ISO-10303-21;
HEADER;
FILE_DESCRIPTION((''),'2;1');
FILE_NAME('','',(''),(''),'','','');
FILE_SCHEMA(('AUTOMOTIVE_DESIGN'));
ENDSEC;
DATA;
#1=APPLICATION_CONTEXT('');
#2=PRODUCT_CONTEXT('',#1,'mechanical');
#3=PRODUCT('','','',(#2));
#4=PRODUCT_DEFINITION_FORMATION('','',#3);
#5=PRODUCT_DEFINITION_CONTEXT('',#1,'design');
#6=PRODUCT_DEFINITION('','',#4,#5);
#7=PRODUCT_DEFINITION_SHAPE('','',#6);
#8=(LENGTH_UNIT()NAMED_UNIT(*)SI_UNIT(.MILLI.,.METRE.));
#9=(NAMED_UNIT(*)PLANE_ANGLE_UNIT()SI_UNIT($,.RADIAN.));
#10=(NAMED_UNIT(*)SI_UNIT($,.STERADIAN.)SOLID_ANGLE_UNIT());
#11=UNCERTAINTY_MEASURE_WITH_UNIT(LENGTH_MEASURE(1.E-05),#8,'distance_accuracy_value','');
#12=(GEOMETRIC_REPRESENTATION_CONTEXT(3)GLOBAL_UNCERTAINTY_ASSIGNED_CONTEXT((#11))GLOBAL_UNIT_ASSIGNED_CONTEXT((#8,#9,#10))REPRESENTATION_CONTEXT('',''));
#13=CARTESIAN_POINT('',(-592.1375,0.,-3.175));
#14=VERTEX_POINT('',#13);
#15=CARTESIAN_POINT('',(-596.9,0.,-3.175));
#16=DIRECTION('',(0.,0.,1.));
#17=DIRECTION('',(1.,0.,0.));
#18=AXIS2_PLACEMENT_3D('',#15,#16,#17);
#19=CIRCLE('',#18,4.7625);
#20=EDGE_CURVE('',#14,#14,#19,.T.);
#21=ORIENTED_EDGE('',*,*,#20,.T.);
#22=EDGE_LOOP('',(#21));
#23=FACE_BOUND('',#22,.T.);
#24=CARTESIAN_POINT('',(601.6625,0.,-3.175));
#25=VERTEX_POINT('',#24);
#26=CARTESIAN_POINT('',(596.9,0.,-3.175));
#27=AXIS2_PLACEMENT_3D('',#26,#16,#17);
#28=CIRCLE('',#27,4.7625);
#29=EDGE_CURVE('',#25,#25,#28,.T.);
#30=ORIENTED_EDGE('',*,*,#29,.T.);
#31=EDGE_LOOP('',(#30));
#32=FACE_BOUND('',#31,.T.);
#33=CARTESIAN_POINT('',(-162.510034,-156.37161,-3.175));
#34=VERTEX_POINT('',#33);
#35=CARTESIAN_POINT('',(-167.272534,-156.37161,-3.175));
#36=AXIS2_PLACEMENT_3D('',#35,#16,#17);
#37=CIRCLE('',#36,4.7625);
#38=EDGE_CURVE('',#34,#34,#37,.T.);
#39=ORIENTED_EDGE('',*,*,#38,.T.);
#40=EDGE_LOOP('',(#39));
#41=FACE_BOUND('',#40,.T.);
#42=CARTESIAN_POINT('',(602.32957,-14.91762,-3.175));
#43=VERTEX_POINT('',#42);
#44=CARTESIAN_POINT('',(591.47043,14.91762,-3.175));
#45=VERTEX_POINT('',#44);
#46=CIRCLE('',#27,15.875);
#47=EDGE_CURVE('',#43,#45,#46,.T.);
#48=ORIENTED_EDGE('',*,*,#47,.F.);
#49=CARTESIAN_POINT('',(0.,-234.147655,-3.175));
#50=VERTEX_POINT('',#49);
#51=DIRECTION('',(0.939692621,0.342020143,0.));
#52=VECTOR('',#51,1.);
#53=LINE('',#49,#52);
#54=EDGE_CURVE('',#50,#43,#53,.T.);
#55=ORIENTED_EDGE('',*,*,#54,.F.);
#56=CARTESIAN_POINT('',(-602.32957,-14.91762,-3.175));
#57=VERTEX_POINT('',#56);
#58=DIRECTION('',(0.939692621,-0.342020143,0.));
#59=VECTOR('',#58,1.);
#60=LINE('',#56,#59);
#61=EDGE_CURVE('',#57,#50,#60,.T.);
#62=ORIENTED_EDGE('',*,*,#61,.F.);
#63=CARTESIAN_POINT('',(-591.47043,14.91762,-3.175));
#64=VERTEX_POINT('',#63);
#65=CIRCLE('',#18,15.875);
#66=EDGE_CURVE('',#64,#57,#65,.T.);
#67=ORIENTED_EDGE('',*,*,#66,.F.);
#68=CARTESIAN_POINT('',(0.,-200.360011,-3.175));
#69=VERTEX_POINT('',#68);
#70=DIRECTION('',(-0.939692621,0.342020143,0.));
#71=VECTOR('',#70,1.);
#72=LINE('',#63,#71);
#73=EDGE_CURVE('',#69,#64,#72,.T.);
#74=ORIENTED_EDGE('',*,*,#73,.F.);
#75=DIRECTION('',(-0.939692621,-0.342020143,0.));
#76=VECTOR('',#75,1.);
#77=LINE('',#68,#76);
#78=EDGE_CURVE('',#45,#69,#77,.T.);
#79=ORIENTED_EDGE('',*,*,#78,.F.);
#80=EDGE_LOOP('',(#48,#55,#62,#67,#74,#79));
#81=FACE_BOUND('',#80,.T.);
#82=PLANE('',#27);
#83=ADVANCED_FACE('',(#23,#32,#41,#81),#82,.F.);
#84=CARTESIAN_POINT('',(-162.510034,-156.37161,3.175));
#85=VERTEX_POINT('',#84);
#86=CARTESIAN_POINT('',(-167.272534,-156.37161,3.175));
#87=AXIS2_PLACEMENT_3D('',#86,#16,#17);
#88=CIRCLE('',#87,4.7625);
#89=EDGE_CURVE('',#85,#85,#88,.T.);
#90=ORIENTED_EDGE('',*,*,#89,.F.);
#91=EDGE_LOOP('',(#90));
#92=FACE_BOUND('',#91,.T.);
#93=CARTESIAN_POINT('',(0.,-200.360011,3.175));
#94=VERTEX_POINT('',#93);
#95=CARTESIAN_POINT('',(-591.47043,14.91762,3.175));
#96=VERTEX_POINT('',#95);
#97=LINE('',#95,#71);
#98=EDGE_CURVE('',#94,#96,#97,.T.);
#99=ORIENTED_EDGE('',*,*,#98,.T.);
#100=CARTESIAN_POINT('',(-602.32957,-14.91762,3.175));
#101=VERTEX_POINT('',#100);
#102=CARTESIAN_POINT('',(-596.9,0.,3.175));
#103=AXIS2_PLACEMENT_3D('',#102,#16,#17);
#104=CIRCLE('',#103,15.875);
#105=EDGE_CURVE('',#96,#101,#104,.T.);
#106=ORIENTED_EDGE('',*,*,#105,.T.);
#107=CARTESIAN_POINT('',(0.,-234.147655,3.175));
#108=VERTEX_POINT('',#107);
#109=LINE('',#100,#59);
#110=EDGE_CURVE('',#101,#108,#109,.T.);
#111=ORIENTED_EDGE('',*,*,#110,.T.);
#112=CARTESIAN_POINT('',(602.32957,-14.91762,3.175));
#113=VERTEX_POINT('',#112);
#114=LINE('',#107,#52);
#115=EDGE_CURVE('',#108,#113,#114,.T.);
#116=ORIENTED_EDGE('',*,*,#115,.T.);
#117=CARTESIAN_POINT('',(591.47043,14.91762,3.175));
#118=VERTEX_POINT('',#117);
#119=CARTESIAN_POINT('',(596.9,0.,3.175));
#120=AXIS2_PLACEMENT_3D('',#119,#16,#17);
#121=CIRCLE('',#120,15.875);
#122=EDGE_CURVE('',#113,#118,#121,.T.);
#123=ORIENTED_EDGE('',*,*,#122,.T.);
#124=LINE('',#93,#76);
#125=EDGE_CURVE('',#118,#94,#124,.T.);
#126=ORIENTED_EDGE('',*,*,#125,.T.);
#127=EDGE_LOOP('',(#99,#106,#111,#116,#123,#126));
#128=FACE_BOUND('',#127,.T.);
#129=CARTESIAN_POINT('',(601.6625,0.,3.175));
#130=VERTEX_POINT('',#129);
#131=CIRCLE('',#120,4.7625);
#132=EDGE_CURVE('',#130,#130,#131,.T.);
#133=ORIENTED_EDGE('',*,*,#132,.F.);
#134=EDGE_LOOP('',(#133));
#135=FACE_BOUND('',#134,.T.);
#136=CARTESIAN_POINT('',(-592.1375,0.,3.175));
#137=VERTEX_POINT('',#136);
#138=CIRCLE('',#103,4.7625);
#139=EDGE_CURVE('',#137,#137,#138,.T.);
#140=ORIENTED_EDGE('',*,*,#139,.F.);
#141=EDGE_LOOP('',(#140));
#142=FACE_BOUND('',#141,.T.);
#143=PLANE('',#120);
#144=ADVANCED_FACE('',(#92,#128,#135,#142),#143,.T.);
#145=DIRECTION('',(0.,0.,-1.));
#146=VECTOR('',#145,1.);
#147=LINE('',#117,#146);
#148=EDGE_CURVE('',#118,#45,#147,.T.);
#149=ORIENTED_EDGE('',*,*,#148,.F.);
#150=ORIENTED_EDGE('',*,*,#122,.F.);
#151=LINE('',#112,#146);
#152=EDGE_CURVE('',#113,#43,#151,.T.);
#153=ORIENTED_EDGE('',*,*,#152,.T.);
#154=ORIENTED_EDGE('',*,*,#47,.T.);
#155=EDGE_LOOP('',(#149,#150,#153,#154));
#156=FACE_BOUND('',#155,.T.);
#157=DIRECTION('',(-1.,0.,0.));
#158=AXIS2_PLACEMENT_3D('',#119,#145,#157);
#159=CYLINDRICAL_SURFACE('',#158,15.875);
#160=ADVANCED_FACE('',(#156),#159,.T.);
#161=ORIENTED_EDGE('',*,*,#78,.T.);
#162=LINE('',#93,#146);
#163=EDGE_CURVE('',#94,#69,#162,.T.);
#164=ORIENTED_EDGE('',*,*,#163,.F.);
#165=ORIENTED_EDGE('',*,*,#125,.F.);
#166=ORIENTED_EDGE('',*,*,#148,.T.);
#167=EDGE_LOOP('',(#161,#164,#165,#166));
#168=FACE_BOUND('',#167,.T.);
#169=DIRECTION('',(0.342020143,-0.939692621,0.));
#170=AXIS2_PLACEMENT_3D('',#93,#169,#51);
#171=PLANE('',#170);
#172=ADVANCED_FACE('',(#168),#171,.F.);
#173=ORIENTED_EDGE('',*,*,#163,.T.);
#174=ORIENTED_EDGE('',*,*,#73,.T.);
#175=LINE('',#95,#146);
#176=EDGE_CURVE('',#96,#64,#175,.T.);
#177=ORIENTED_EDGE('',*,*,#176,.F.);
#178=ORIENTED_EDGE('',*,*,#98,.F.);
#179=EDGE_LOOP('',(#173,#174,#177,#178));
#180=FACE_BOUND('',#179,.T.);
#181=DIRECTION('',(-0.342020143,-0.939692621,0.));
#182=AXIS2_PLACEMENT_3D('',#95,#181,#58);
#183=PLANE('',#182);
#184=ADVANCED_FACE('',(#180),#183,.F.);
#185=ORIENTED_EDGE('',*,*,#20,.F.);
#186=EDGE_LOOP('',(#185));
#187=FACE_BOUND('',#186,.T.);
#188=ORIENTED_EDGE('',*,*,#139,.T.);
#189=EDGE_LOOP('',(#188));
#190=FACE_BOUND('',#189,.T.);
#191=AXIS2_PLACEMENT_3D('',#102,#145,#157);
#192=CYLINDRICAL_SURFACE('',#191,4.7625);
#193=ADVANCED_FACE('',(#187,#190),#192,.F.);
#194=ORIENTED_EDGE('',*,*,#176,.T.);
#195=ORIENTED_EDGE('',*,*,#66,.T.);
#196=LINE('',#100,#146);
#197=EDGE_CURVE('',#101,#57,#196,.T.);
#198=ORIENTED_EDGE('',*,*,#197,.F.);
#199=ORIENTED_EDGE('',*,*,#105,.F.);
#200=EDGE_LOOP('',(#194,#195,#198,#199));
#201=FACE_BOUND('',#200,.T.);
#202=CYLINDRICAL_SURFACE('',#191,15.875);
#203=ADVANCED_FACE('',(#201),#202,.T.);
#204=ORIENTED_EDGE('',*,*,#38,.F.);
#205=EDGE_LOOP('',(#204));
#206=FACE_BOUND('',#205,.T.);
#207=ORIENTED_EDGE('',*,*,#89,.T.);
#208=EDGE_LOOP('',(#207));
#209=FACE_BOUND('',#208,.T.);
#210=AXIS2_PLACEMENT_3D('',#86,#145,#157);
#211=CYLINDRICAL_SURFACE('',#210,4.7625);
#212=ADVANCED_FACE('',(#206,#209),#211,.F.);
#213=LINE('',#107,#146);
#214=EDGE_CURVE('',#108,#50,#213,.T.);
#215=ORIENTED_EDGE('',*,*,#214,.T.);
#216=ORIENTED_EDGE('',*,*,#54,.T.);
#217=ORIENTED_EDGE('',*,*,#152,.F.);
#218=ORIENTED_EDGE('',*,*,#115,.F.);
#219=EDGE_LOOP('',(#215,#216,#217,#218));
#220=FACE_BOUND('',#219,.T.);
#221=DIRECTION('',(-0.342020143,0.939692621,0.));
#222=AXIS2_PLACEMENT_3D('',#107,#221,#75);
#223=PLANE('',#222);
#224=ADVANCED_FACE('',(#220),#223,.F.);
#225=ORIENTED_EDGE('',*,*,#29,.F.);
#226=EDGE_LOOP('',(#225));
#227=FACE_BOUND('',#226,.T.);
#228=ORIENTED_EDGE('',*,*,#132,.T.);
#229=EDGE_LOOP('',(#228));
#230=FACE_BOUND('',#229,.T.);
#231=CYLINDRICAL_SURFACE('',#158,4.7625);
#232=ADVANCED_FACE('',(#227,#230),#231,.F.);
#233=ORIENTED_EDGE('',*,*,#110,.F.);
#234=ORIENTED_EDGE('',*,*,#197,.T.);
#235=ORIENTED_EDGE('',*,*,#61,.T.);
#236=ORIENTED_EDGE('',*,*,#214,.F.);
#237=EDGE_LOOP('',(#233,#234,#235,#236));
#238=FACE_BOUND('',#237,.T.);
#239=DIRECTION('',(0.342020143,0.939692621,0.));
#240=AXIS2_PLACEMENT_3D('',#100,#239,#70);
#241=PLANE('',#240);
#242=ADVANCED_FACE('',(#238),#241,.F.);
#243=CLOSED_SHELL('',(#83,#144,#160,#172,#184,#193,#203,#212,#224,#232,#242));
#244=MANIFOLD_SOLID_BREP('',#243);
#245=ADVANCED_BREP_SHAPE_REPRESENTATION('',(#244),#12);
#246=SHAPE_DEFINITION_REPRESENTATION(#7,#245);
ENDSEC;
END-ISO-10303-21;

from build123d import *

# Parameters (mm, degrees)
SKETCH1_R           = 4.7625
BOSS_EXTRUDE1_DEPTH = 3.175


with BuildPart() as part:
    # Sketch1 → Boss-Extrude1 (new, symmetric)
    with BuildSketch(Plane.XY):
        with BuildLine():
            Line((-602.329569775, -14.917620355), (0, -234.147654972))
            Line((0, -234.147654972), (602.329569775, -14.917620355))
            ThreePointArc((602.329569775, -14.917620355), (611.817620355, 5.429569775), (591.470430225, 14.917620355))
            Line((591.470430225, 14.917620355), (0, -200.360010695))
            Line((0, -200.360010695), (-591.470430225, 14.917620355))
            ThreePointArc((-591.470430225, 14.917620355), (-611.817620355, 5.429569775), (-602.329569775, -14.917620355))
        make_face()
        with Locations((-596.9, 0)):
            Circle(SKETCH1_R, mode=Mode.SUBTRACT)
        with Locations((596.9, 0)):
            Circle(SKETCH1_R, mode=Mode.SUBTRACT)
        with Locations((-167.272533777, -156.371609528)):
            Circle(SKETCH1_R, mode=Mode.SUBTRACT)
    extrude(amount=BOSS_EXTRUDE1_DEPTH, both=True)


solid = part.part
